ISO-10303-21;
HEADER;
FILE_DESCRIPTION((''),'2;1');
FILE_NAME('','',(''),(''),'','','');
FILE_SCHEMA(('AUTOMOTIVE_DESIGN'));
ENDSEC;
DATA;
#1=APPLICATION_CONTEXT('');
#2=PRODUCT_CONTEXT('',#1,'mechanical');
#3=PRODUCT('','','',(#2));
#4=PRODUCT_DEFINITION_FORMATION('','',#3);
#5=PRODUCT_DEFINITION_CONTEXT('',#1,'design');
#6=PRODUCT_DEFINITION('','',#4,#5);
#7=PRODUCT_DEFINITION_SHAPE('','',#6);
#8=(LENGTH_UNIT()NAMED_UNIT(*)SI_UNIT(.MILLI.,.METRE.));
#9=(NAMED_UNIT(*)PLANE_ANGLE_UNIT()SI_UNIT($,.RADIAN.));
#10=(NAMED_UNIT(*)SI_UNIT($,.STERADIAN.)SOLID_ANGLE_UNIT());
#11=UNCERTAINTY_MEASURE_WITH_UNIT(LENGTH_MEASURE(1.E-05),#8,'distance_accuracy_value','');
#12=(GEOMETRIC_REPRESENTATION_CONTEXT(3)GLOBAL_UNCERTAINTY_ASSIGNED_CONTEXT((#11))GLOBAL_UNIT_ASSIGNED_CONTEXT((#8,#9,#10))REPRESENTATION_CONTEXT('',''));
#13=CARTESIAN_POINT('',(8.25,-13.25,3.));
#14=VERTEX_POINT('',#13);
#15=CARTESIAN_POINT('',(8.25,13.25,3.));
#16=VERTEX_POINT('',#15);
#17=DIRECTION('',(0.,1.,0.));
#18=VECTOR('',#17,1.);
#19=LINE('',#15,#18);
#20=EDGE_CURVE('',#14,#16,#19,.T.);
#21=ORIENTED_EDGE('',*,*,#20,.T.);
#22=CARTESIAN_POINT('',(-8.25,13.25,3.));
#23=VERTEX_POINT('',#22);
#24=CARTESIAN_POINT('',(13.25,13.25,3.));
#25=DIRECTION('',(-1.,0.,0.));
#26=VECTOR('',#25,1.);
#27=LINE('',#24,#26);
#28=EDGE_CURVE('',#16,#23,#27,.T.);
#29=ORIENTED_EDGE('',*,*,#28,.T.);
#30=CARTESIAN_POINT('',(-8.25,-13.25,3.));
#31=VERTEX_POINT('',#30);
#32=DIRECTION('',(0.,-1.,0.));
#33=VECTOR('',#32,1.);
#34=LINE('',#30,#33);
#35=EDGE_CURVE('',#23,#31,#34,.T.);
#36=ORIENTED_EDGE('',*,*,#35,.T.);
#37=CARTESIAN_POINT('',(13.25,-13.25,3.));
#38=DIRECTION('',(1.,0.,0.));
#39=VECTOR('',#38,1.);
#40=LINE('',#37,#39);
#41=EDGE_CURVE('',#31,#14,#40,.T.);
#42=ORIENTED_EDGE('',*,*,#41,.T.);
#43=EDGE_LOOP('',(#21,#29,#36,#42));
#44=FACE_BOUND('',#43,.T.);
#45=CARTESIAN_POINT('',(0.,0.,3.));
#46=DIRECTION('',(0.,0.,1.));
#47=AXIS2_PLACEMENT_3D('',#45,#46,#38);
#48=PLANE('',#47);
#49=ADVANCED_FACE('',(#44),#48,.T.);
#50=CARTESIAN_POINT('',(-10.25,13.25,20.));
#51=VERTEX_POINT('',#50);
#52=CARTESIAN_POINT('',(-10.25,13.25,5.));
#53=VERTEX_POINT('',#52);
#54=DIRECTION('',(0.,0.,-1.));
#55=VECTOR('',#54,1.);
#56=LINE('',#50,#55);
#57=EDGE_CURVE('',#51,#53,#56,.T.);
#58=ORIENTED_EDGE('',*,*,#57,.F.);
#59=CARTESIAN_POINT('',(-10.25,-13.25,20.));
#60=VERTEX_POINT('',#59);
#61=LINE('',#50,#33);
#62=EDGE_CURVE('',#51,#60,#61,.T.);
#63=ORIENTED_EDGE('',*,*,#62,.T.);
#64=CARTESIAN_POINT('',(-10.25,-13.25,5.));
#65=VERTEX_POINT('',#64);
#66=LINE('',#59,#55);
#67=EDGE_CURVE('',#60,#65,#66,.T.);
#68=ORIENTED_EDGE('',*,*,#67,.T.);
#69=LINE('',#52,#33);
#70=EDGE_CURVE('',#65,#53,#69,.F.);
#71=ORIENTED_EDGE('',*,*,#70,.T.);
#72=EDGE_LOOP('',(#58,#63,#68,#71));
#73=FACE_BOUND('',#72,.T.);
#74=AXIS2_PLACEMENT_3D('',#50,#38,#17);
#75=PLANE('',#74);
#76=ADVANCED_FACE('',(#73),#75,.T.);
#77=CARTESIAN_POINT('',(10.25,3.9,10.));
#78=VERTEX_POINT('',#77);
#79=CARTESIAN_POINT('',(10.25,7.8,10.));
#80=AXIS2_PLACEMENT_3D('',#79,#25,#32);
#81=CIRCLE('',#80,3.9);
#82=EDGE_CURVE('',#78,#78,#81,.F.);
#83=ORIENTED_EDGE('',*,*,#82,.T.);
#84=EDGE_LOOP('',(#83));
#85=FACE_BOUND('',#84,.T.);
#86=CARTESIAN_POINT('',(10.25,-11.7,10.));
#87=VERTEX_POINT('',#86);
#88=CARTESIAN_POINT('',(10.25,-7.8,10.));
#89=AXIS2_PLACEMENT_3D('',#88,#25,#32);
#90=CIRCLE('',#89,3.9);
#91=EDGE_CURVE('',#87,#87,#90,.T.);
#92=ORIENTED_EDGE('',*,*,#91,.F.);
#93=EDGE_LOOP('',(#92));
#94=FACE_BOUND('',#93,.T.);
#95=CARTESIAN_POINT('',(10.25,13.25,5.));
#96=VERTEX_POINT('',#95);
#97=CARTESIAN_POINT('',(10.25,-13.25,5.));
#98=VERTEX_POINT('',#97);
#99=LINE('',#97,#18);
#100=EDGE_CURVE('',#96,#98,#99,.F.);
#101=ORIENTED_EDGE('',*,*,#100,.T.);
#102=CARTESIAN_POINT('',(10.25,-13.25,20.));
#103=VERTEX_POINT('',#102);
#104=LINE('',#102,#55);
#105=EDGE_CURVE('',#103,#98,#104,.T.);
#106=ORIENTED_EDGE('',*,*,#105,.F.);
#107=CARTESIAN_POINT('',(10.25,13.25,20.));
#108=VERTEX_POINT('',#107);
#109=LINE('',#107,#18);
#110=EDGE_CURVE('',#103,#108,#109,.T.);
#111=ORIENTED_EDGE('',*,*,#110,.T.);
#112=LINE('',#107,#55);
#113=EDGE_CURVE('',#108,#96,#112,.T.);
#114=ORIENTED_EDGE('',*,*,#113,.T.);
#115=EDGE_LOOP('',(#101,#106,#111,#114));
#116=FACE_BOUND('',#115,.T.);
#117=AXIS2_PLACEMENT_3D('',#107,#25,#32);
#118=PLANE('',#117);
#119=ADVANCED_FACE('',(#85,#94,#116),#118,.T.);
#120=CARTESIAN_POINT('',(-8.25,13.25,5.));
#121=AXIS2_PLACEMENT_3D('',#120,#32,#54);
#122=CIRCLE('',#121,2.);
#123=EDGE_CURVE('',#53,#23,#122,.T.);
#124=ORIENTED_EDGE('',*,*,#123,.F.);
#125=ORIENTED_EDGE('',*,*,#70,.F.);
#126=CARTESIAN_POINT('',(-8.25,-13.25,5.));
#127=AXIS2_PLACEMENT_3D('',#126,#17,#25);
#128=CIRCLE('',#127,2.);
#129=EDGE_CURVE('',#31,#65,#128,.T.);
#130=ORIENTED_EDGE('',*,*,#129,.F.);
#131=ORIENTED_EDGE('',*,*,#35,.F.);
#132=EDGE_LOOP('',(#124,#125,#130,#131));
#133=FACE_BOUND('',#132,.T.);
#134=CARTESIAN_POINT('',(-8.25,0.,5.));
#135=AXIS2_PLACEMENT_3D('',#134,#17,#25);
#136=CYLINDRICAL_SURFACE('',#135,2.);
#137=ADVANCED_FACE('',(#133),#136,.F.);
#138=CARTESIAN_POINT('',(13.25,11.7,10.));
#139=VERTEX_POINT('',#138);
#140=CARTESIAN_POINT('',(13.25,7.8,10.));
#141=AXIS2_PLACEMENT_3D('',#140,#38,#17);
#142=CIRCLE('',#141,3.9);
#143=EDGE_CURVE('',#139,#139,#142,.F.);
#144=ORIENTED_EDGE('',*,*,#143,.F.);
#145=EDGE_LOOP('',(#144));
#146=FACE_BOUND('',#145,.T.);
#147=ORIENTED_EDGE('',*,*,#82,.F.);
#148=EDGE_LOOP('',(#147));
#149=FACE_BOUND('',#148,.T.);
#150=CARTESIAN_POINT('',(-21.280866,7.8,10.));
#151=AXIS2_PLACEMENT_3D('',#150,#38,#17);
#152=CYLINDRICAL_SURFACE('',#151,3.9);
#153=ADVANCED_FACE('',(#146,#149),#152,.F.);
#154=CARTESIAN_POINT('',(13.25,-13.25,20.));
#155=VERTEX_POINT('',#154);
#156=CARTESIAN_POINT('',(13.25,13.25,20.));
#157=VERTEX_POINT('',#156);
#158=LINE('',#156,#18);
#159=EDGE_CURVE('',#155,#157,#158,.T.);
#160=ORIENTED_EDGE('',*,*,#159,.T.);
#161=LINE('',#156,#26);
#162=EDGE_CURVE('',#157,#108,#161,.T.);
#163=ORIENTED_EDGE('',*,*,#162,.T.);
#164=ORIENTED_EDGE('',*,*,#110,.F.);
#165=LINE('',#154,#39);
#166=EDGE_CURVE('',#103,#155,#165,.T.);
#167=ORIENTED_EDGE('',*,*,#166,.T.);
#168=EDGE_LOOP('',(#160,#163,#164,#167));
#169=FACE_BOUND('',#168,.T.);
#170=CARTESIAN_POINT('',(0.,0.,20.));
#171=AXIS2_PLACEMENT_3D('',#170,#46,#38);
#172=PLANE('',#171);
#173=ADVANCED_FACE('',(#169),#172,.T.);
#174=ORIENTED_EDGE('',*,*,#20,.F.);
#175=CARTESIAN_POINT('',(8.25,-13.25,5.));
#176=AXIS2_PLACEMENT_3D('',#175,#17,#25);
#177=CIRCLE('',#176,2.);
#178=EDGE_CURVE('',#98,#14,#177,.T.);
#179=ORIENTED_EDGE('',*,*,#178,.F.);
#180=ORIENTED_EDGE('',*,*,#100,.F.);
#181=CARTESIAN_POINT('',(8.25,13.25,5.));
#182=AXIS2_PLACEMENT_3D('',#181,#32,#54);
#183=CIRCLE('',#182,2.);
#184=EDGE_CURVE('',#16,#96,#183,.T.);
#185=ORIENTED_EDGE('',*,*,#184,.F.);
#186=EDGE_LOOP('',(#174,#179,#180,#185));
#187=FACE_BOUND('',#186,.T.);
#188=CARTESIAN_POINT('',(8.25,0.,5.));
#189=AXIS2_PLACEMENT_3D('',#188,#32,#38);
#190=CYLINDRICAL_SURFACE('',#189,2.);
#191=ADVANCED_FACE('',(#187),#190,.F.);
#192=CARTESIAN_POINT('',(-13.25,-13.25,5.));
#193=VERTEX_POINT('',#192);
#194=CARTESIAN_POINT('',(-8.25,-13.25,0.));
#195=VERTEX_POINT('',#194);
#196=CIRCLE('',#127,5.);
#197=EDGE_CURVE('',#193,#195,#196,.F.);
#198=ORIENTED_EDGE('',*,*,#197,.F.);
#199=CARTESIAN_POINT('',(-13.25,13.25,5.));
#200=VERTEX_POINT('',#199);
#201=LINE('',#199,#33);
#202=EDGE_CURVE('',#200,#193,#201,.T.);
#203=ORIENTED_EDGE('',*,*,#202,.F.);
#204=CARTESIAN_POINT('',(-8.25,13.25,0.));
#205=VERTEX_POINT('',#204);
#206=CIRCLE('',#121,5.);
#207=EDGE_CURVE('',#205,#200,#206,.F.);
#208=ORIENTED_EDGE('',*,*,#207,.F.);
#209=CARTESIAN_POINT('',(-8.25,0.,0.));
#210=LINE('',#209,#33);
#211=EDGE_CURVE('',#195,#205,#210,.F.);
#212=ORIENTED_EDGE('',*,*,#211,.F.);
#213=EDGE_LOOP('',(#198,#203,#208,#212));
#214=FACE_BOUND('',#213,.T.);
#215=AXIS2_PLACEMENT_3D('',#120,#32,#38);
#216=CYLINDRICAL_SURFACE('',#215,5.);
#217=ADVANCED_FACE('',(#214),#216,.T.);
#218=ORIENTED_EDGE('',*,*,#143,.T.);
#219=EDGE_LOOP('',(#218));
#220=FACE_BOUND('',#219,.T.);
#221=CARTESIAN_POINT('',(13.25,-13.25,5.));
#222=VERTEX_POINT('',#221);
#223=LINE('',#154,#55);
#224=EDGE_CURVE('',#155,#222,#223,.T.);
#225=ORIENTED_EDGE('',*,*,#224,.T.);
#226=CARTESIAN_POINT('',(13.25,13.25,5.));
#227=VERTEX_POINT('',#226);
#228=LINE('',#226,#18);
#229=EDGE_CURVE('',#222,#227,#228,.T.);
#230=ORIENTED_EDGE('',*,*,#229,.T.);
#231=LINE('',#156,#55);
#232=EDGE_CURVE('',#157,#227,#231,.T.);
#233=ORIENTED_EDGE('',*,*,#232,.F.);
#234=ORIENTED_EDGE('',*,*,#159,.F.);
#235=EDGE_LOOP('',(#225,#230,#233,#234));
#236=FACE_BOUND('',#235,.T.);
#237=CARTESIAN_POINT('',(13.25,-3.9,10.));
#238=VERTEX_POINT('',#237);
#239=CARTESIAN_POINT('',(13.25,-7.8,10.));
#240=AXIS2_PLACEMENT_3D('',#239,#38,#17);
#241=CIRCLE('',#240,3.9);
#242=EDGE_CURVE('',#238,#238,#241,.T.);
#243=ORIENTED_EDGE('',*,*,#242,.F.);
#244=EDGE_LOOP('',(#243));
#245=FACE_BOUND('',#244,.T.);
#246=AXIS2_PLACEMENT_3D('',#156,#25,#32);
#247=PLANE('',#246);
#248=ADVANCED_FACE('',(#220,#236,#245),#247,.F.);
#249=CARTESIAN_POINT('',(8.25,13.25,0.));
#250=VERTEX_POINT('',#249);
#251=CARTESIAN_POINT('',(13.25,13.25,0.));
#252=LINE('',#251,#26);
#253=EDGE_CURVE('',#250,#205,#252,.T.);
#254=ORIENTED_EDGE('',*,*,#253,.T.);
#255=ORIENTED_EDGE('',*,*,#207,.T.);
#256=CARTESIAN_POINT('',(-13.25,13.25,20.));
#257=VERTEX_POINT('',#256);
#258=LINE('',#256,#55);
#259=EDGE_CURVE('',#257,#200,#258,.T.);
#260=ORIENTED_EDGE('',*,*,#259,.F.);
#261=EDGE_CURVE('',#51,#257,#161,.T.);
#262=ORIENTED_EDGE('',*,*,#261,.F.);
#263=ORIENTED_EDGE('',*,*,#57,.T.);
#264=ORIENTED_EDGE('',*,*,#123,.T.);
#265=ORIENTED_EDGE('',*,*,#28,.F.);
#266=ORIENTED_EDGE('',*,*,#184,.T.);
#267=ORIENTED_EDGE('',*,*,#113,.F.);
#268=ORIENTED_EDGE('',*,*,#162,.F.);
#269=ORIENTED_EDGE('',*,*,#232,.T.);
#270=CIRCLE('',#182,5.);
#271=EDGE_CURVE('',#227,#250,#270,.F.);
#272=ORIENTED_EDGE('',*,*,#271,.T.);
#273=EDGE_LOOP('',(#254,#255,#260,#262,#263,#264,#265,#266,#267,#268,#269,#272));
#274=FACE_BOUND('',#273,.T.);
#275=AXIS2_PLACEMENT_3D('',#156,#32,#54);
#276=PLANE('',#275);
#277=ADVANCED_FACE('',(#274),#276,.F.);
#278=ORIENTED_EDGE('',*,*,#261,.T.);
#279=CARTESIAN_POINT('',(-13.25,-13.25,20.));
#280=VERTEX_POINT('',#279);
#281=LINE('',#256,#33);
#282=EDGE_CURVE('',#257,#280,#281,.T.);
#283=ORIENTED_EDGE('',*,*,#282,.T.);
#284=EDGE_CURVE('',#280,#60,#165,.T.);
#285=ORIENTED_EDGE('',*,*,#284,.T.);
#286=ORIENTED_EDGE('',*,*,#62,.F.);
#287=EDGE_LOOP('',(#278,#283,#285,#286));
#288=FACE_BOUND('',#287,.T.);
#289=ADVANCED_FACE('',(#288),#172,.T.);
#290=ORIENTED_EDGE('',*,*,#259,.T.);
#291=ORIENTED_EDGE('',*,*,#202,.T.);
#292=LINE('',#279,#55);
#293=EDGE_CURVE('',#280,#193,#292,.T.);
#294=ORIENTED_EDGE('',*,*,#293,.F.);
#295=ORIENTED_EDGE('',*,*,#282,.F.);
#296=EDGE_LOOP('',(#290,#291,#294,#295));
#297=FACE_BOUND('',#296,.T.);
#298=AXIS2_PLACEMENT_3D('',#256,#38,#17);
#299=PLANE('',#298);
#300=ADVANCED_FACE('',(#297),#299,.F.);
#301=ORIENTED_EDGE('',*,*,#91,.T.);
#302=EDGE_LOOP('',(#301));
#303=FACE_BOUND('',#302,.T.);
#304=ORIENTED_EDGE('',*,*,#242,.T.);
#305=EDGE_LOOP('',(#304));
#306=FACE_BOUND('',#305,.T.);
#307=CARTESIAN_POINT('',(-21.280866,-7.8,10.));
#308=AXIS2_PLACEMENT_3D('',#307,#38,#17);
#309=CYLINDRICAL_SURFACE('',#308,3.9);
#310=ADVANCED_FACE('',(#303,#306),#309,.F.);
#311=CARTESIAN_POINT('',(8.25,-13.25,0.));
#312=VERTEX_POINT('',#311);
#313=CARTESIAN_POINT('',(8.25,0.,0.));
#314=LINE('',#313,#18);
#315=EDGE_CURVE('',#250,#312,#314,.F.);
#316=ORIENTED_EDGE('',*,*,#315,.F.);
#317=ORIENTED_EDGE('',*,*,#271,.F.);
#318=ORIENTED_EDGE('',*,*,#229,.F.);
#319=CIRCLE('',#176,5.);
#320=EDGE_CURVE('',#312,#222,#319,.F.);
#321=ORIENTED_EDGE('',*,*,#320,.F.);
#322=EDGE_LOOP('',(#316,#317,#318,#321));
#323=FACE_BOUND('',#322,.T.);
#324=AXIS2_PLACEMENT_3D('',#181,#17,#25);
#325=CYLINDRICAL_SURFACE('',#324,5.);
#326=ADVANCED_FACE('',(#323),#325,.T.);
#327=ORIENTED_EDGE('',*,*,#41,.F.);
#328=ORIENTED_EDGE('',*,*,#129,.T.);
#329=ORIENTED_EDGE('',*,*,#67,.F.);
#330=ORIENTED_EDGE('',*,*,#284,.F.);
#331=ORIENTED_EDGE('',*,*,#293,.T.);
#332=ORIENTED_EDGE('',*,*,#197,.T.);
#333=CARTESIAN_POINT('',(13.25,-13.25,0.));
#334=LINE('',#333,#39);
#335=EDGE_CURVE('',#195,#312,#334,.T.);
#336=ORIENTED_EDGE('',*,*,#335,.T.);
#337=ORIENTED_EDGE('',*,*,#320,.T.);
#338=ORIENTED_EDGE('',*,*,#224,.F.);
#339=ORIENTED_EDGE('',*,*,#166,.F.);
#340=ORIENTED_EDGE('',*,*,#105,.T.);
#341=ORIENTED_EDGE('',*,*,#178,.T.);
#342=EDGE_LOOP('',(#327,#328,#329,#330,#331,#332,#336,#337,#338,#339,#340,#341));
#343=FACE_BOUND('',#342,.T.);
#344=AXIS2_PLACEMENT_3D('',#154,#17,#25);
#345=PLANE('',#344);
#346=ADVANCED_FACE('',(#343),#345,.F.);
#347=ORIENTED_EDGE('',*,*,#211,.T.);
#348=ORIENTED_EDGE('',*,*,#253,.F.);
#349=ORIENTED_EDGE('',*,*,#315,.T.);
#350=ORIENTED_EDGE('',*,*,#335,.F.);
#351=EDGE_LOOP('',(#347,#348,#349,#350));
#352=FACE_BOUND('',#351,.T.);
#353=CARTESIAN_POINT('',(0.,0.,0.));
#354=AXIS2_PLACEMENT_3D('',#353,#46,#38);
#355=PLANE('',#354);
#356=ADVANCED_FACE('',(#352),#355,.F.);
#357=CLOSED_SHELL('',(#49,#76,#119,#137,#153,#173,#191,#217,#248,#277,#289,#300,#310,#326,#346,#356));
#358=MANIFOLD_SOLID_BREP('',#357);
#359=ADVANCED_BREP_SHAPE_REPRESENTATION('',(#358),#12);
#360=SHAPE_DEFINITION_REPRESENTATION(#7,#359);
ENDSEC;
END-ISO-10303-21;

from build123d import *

# Parameters (mm, degrees)
SKETCH4_W           = 26.5
SKETCH4_H           = 26.5
BOSS_EXTRUDE2_DEPTH = 20
SHELL1_T            = -3
SKETCH6_R           = 3.9
CUT_EXTRUDE2_DEPTH  = 23.5
FILLET3_R           = 5
FILLET4_R           = 2


with BuildPart() as part:
    # Sketch4 → Boss-Extrude2 (new body)
    with BuildSketch(Plane(origin=(0, 0, 0), x_dir=(0, 1, 0), z_dir=(0, 0, 1))):
        Rectangle(SKETCH4_W, SKETCH4_H)
    extrude(amount=BOSS_EXTRUDE2_DEPTH)

    # Shell1
    shell1_openings = [part.faces().sort_by_distance(p)[0] for p in [
        (0, 0, 20),
        (0, 13.25, 10),
        (0, -13.25, 10),
    ]]
    offset(amount=SHELL1_T, openings=shell1_openings, kind=Kind.INTERSECTION)

    # Sketch6 → Cut-Extrude2 (cut)
    with BuildSketch(Plane.YZ.offset(13.25)):
        with Locations((-7.8, 10)):
            Circle(SKETCH6_R)
        with Locations((7.8, 10)):
            Circle(SKETCH6_R)
    extrude(amount=-CUT_EXTRUDE2_DEPTH, mode=Mode.SUBTRACT)

    # Fillet3
    fillet3_edges = [part.edges().sort_by_distance(p)[0] for p in [
        (-13.25, 0, 0),
        (13.25, 0, 0),
    ]]
    fillet(fillet3_edges, radius=FILLET3_R)

    # Fillet4
    fillet4_edges = [part.edges().sort_by_distance(p)[0] for p in [
        (10.25, 0, 3),
        (-10.25, 0, 3),
    ]]
    fillet(fillet4_edges, radius=FILLET4_R)


solid = part.part
